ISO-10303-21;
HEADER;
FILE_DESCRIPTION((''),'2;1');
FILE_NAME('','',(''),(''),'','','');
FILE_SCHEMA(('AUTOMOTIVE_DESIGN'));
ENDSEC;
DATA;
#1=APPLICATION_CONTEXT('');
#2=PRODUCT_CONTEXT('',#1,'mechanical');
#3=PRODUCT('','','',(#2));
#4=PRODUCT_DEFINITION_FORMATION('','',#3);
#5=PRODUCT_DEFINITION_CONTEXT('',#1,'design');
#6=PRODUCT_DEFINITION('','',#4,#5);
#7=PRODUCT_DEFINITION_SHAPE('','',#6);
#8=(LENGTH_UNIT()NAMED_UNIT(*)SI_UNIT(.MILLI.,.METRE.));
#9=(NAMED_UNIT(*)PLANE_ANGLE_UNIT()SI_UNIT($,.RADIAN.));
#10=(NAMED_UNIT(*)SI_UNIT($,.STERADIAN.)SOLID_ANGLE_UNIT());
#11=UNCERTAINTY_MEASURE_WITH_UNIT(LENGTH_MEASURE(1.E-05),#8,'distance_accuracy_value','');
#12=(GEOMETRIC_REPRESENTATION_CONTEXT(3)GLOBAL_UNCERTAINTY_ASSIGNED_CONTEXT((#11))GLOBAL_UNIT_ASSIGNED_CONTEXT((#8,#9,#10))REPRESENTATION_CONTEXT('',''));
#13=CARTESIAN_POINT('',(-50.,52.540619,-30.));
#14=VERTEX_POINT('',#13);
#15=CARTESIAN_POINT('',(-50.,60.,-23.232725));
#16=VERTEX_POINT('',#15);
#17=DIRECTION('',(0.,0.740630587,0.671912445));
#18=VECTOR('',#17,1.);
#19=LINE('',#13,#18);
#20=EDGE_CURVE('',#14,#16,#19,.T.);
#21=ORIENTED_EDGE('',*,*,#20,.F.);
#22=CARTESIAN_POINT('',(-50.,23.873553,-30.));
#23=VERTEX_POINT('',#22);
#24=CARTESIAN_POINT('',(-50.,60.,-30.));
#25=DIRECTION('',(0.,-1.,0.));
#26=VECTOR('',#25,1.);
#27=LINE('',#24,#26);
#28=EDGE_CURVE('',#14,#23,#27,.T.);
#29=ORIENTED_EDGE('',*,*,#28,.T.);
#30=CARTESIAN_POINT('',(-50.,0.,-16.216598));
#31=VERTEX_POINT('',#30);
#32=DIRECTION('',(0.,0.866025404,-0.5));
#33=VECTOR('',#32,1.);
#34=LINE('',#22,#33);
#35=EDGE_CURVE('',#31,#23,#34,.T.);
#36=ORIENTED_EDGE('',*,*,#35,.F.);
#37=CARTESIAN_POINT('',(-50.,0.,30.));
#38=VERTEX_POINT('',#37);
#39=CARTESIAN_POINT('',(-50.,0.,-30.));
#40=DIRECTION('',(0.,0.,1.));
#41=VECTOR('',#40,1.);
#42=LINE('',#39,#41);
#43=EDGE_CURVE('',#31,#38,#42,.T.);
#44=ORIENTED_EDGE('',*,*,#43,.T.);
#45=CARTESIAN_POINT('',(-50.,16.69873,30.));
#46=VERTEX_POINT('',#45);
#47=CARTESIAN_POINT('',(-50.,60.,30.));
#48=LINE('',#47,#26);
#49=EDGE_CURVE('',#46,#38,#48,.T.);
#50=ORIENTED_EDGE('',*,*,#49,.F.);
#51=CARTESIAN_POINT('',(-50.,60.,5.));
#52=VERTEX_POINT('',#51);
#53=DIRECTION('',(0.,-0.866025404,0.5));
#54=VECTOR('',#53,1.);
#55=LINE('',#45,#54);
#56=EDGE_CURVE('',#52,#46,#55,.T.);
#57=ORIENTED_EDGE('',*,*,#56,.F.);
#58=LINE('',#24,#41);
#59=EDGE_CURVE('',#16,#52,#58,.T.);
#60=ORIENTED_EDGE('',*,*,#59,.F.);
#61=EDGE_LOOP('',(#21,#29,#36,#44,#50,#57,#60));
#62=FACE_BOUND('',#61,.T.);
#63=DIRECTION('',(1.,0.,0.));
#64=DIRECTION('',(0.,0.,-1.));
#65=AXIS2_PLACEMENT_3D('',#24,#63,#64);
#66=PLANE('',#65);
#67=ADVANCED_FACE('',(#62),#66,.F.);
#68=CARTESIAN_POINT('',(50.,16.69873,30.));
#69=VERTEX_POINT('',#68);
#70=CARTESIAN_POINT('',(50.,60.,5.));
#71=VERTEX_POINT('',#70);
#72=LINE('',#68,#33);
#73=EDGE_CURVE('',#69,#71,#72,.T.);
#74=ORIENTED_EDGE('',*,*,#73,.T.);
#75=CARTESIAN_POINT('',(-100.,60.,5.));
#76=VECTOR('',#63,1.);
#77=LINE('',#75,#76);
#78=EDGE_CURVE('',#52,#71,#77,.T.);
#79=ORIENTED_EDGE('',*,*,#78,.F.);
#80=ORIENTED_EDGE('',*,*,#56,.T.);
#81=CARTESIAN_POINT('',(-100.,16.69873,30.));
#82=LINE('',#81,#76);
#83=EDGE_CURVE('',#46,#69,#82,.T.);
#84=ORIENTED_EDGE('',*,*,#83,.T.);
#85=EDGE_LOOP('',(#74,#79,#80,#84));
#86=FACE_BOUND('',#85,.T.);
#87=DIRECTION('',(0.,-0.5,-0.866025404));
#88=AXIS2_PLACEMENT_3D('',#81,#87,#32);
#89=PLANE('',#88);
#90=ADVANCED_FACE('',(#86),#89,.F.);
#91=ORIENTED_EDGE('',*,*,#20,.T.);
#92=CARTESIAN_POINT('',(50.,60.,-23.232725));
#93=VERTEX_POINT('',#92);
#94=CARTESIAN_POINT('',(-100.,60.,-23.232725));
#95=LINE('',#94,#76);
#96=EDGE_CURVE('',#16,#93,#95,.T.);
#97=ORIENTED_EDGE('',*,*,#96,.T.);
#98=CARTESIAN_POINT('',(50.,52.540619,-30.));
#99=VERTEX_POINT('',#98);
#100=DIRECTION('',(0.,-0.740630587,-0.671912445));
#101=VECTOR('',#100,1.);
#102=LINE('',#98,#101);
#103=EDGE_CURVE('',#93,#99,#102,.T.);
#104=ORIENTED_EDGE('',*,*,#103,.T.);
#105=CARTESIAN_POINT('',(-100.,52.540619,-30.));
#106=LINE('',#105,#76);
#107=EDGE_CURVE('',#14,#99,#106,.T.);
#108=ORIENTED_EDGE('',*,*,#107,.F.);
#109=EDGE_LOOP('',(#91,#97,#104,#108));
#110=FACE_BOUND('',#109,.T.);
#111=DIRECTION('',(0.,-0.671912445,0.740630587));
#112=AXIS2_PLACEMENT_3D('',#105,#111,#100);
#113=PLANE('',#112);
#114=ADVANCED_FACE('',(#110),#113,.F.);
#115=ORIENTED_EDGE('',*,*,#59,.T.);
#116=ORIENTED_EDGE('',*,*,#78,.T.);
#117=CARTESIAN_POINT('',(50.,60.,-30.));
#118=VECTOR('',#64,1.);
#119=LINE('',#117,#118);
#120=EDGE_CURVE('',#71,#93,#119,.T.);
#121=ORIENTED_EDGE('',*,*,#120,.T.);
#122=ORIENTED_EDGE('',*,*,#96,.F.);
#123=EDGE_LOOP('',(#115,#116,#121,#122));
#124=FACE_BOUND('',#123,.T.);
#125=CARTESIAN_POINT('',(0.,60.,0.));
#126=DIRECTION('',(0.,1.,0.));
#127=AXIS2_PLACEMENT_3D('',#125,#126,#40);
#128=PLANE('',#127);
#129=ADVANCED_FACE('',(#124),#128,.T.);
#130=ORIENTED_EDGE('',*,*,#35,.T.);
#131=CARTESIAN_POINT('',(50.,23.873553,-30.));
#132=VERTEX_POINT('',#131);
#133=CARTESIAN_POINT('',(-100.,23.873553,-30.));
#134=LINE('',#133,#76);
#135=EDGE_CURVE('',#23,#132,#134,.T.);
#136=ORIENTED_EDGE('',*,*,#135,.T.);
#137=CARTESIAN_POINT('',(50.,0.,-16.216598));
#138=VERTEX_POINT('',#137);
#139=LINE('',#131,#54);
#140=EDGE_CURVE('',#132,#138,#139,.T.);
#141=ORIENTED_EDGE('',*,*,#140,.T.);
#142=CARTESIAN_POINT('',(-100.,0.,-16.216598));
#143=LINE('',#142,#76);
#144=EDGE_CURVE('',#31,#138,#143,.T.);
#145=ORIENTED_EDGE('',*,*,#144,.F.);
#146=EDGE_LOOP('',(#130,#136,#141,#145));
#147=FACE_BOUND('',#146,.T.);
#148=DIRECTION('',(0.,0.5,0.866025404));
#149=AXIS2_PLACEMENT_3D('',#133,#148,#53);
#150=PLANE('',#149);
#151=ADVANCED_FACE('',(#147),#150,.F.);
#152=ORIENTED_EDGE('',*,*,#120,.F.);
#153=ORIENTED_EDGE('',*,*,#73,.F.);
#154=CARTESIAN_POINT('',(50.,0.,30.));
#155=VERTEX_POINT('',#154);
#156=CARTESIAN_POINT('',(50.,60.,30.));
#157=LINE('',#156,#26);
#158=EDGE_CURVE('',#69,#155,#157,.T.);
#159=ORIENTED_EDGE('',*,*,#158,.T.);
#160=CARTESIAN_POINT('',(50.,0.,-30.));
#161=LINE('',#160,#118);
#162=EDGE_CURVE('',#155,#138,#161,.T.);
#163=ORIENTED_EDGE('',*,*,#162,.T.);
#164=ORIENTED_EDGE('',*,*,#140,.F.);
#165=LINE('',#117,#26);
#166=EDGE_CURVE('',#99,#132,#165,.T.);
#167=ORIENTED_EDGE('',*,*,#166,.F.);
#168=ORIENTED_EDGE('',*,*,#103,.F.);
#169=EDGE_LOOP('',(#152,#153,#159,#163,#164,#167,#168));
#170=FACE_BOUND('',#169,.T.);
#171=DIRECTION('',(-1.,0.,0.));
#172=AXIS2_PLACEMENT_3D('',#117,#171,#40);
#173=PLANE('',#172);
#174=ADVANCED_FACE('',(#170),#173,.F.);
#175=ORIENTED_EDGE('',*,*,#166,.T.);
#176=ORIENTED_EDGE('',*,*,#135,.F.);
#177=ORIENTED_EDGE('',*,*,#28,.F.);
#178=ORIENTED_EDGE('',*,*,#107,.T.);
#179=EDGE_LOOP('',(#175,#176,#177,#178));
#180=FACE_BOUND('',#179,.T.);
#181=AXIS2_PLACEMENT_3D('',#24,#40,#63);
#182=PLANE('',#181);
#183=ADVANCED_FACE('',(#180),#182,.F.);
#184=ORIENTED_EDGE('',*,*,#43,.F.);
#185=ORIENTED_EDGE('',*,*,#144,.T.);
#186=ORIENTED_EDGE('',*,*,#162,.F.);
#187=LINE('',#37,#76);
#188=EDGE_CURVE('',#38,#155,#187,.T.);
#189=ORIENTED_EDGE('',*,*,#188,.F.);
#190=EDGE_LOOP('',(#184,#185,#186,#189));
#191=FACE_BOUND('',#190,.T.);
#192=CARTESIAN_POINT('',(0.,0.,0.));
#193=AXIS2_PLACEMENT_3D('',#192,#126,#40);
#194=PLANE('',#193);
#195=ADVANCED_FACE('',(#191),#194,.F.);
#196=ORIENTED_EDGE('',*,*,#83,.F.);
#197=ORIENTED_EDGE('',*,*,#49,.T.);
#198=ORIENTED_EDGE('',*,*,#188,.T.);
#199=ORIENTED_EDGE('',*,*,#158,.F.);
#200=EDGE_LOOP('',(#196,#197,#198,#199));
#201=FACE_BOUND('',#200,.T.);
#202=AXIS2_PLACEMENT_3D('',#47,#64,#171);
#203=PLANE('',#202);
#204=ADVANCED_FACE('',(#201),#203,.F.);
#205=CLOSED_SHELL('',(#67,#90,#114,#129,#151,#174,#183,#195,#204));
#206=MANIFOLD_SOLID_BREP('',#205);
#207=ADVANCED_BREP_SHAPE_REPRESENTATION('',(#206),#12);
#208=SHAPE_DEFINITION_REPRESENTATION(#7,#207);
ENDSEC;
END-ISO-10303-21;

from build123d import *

# Parameters (mm, degrees)
SKETCH1_W           = 100
SKETCH1_H           = 60
BOSS_EXTRUDE1_DEPTH = 60
CUT_EXTRUDE1_DEPTH  = 100


with BuildPart() as part:
    # Sketch1 → Boss-Extrude1 (new body)
    with BuildSketch(Plane(origin=(0, 0, 0), x_dir=(1, 0, 0), z_dir=(0, 1, 0))):
        Rectangle(SKETCH1_W, SKETCH1_H)
    extrude(amount=BOSS_EXTRUDE1_DEPTH)

    # Sketch2 → Cut-Extrude1 (cut)
    with BuildSketch(Plane(origin=(50, 0, 0), x_dir=(0, 0, -1), z_dir=(1, 0, 0))):
        Polygon((-30, 60), (-30, 16.698729811), (-5, 60), align=None)
        Polygon((30, 0), (30, 23.873553173), (16.216597649, 0), align=None)
        Polygon((23.232724571, 60), (30, 60), (30, 52.540618633), align=None)
    extrude(amount=-CUT_EXTRUDE1_DEPTH, mode=Mode.SUBTRACT)


solid = part.part
